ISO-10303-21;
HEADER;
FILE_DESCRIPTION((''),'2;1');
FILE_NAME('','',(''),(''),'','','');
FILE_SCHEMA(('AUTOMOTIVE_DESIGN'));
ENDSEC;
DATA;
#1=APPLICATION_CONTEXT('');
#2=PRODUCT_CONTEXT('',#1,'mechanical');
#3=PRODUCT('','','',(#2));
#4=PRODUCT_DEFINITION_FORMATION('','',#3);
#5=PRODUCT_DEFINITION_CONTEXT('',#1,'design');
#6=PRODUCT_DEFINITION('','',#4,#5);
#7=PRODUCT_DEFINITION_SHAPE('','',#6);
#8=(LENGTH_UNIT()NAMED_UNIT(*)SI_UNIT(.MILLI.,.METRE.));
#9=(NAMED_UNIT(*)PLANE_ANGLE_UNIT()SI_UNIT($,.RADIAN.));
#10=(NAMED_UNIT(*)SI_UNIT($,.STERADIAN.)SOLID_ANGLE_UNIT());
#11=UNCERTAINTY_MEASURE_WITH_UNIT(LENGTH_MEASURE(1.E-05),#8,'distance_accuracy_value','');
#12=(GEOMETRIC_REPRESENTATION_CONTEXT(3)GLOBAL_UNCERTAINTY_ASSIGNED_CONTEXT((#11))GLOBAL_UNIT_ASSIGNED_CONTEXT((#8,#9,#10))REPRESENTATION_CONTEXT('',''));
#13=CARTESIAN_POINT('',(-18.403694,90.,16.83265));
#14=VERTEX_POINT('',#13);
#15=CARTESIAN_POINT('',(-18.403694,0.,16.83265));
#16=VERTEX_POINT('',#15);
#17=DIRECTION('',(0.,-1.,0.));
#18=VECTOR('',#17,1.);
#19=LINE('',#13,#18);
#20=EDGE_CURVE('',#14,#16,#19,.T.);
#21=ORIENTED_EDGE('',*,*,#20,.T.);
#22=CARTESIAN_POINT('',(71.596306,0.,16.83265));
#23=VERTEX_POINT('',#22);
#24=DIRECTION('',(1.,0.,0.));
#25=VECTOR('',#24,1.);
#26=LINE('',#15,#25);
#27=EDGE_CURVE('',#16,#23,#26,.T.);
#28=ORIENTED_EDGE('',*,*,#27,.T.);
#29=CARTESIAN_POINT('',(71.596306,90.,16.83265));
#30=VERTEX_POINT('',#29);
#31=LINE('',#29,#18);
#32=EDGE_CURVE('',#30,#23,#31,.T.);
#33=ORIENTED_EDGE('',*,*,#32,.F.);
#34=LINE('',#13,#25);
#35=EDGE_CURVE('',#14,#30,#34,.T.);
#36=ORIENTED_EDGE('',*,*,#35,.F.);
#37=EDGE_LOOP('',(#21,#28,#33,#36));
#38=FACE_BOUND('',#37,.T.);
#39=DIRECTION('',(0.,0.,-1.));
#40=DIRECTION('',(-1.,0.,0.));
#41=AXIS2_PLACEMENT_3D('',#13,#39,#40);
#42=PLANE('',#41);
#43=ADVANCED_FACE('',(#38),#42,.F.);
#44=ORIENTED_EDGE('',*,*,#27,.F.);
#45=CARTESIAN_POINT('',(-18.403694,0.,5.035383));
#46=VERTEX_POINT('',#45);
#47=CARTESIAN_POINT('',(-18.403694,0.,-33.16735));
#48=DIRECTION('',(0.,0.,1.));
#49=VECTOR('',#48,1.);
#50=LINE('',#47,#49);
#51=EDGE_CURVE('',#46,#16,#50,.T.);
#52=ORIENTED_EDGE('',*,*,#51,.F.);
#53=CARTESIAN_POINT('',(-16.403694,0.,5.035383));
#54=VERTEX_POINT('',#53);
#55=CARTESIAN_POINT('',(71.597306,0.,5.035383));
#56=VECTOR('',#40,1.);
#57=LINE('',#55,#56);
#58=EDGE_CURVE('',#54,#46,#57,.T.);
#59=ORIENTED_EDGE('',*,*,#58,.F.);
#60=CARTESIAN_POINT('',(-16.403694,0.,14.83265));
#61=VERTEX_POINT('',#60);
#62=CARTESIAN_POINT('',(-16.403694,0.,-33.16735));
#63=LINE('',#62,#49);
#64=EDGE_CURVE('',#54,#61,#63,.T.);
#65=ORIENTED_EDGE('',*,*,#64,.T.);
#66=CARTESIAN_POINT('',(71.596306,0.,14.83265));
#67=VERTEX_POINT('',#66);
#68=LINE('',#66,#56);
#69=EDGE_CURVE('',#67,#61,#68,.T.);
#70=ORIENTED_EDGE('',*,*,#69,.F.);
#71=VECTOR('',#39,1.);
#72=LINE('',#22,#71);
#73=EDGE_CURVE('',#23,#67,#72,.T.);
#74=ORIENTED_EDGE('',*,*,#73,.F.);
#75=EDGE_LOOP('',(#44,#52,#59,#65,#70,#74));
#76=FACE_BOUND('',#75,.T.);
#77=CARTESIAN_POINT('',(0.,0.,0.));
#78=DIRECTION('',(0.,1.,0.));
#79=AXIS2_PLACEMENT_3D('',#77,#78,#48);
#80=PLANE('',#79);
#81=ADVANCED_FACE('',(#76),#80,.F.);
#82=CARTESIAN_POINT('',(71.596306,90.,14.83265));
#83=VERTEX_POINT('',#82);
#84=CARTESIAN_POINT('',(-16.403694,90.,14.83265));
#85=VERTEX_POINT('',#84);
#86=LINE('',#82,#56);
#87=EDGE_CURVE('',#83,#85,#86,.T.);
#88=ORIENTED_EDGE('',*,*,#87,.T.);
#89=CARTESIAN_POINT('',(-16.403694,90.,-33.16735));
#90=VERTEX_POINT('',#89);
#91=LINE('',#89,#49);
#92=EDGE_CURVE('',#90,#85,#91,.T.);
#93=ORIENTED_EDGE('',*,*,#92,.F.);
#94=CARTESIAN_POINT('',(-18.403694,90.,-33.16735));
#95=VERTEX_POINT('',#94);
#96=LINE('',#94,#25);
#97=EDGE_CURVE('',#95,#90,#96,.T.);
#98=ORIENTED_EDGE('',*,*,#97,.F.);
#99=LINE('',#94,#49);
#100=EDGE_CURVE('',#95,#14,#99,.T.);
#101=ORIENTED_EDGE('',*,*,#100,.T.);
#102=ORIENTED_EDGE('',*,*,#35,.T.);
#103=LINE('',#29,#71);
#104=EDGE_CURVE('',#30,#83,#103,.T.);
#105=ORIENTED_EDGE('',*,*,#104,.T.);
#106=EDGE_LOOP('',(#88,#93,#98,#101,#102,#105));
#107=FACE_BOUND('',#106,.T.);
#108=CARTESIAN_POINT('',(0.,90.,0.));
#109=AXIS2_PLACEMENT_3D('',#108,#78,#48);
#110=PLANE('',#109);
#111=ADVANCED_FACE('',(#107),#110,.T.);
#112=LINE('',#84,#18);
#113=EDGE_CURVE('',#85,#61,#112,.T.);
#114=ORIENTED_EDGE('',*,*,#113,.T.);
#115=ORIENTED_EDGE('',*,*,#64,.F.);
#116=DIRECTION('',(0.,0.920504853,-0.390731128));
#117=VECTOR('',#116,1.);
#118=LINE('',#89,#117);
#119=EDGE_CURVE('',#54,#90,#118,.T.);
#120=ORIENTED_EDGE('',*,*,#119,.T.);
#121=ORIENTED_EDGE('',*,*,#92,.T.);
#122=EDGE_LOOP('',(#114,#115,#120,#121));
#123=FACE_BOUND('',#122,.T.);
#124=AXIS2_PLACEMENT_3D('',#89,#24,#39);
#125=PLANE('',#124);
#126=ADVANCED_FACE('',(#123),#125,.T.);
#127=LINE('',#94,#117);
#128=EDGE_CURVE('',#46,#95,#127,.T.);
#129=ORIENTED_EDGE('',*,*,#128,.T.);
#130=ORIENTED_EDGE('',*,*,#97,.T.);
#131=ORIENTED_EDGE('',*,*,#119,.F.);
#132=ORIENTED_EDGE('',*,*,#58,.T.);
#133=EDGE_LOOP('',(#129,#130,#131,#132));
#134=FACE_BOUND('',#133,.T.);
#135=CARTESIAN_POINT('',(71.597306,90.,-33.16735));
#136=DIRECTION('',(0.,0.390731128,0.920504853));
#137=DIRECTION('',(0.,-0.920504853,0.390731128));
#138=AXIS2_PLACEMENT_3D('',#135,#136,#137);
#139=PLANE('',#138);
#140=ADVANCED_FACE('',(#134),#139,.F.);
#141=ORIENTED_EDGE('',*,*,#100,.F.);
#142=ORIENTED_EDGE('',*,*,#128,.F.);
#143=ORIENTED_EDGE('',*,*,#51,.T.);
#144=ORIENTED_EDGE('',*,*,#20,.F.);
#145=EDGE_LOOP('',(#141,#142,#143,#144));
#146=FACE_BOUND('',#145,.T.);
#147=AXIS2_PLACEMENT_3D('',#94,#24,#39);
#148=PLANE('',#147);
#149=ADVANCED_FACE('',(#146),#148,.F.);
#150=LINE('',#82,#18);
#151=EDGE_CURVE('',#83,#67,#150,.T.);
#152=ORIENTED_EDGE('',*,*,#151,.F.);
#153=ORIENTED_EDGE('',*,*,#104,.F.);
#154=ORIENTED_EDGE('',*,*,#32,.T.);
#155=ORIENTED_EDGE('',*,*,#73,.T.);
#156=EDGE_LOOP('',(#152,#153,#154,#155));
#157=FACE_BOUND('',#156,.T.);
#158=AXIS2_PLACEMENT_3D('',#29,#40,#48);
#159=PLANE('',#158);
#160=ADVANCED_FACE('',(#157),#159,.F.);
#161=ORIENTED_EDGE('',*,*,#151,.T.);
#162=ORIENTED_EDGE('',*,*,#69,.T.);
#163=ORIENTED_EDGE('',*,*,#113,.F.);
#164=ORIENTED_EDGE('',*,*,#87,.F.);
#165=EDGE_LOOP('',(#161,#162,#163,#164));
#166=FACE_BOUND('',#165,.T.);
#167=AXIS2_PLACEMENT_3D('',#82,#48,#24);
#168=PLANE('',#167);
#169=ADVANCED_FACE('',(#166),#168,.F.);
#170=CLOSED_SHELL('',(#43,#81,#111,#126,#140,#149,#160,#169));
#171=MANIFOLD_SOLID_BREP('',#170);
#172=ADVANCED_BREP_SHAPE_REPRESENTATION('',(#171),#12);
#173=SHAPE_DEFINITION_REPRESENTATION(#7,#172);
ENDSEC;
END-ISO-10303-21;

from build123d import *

# Parameters (mm, degrees)
SKETCH1_W           = 2
SKETCH1_H           = 48
SKETCH1_H_2         = 2
SKETCH1_W_2         = 88
BOSS_EXTRUDE1_DEPTH = 90
CUT_EXTRUDE1_REACH  = 133.53


with BuildPart() as part:
    # Sketch1 → Boss-Extrude1 (new body)
    with BuildSketch(Plane(origin=(0, 0, 0), x_dir=(1, 0, 0), z_dir=(0, 1, 0))):
        with Locations((-17.403694266, 9.167350329)):
            Rectangle(SKETCH1_W, SKETCH1_H)
        with Locations((-17.403694266, -15.832649671)):
            Rectangle(SKETCH1_W, SKETCH1_H_2)
        with Locations((27.596305734, -15.832649671)):
            Rectangle(SKETCH1_W_2, SKETCH1_H_2)
    extrude(amount=BOSS_EXTRUDE1_DEPTH)

    # Sketch2 → Cut-Extrude1 (cut, up to next)
    with BuildSketch(Plane.ZY.offset(18.403694266), mode=Mode.PRIVATE) as cut_extrude1_sk1:
        Polygon((-33.167350329, 90), (5.03538313, 0), (-33.167350329, 0), align=None)
    cut_extrude1_tool1 = extrude(cut_extrude1_sk1.sketch, amount=-CUT_EXTRUDE1_REACH, mode=Mode.PRIVATE) & part.part
    add(cut_extrude1_tool1.solids().sort_by_distance((-18.403694, 30, -20.433106))[0], mode=Mode.SUBTRACT)


solid = part.part
